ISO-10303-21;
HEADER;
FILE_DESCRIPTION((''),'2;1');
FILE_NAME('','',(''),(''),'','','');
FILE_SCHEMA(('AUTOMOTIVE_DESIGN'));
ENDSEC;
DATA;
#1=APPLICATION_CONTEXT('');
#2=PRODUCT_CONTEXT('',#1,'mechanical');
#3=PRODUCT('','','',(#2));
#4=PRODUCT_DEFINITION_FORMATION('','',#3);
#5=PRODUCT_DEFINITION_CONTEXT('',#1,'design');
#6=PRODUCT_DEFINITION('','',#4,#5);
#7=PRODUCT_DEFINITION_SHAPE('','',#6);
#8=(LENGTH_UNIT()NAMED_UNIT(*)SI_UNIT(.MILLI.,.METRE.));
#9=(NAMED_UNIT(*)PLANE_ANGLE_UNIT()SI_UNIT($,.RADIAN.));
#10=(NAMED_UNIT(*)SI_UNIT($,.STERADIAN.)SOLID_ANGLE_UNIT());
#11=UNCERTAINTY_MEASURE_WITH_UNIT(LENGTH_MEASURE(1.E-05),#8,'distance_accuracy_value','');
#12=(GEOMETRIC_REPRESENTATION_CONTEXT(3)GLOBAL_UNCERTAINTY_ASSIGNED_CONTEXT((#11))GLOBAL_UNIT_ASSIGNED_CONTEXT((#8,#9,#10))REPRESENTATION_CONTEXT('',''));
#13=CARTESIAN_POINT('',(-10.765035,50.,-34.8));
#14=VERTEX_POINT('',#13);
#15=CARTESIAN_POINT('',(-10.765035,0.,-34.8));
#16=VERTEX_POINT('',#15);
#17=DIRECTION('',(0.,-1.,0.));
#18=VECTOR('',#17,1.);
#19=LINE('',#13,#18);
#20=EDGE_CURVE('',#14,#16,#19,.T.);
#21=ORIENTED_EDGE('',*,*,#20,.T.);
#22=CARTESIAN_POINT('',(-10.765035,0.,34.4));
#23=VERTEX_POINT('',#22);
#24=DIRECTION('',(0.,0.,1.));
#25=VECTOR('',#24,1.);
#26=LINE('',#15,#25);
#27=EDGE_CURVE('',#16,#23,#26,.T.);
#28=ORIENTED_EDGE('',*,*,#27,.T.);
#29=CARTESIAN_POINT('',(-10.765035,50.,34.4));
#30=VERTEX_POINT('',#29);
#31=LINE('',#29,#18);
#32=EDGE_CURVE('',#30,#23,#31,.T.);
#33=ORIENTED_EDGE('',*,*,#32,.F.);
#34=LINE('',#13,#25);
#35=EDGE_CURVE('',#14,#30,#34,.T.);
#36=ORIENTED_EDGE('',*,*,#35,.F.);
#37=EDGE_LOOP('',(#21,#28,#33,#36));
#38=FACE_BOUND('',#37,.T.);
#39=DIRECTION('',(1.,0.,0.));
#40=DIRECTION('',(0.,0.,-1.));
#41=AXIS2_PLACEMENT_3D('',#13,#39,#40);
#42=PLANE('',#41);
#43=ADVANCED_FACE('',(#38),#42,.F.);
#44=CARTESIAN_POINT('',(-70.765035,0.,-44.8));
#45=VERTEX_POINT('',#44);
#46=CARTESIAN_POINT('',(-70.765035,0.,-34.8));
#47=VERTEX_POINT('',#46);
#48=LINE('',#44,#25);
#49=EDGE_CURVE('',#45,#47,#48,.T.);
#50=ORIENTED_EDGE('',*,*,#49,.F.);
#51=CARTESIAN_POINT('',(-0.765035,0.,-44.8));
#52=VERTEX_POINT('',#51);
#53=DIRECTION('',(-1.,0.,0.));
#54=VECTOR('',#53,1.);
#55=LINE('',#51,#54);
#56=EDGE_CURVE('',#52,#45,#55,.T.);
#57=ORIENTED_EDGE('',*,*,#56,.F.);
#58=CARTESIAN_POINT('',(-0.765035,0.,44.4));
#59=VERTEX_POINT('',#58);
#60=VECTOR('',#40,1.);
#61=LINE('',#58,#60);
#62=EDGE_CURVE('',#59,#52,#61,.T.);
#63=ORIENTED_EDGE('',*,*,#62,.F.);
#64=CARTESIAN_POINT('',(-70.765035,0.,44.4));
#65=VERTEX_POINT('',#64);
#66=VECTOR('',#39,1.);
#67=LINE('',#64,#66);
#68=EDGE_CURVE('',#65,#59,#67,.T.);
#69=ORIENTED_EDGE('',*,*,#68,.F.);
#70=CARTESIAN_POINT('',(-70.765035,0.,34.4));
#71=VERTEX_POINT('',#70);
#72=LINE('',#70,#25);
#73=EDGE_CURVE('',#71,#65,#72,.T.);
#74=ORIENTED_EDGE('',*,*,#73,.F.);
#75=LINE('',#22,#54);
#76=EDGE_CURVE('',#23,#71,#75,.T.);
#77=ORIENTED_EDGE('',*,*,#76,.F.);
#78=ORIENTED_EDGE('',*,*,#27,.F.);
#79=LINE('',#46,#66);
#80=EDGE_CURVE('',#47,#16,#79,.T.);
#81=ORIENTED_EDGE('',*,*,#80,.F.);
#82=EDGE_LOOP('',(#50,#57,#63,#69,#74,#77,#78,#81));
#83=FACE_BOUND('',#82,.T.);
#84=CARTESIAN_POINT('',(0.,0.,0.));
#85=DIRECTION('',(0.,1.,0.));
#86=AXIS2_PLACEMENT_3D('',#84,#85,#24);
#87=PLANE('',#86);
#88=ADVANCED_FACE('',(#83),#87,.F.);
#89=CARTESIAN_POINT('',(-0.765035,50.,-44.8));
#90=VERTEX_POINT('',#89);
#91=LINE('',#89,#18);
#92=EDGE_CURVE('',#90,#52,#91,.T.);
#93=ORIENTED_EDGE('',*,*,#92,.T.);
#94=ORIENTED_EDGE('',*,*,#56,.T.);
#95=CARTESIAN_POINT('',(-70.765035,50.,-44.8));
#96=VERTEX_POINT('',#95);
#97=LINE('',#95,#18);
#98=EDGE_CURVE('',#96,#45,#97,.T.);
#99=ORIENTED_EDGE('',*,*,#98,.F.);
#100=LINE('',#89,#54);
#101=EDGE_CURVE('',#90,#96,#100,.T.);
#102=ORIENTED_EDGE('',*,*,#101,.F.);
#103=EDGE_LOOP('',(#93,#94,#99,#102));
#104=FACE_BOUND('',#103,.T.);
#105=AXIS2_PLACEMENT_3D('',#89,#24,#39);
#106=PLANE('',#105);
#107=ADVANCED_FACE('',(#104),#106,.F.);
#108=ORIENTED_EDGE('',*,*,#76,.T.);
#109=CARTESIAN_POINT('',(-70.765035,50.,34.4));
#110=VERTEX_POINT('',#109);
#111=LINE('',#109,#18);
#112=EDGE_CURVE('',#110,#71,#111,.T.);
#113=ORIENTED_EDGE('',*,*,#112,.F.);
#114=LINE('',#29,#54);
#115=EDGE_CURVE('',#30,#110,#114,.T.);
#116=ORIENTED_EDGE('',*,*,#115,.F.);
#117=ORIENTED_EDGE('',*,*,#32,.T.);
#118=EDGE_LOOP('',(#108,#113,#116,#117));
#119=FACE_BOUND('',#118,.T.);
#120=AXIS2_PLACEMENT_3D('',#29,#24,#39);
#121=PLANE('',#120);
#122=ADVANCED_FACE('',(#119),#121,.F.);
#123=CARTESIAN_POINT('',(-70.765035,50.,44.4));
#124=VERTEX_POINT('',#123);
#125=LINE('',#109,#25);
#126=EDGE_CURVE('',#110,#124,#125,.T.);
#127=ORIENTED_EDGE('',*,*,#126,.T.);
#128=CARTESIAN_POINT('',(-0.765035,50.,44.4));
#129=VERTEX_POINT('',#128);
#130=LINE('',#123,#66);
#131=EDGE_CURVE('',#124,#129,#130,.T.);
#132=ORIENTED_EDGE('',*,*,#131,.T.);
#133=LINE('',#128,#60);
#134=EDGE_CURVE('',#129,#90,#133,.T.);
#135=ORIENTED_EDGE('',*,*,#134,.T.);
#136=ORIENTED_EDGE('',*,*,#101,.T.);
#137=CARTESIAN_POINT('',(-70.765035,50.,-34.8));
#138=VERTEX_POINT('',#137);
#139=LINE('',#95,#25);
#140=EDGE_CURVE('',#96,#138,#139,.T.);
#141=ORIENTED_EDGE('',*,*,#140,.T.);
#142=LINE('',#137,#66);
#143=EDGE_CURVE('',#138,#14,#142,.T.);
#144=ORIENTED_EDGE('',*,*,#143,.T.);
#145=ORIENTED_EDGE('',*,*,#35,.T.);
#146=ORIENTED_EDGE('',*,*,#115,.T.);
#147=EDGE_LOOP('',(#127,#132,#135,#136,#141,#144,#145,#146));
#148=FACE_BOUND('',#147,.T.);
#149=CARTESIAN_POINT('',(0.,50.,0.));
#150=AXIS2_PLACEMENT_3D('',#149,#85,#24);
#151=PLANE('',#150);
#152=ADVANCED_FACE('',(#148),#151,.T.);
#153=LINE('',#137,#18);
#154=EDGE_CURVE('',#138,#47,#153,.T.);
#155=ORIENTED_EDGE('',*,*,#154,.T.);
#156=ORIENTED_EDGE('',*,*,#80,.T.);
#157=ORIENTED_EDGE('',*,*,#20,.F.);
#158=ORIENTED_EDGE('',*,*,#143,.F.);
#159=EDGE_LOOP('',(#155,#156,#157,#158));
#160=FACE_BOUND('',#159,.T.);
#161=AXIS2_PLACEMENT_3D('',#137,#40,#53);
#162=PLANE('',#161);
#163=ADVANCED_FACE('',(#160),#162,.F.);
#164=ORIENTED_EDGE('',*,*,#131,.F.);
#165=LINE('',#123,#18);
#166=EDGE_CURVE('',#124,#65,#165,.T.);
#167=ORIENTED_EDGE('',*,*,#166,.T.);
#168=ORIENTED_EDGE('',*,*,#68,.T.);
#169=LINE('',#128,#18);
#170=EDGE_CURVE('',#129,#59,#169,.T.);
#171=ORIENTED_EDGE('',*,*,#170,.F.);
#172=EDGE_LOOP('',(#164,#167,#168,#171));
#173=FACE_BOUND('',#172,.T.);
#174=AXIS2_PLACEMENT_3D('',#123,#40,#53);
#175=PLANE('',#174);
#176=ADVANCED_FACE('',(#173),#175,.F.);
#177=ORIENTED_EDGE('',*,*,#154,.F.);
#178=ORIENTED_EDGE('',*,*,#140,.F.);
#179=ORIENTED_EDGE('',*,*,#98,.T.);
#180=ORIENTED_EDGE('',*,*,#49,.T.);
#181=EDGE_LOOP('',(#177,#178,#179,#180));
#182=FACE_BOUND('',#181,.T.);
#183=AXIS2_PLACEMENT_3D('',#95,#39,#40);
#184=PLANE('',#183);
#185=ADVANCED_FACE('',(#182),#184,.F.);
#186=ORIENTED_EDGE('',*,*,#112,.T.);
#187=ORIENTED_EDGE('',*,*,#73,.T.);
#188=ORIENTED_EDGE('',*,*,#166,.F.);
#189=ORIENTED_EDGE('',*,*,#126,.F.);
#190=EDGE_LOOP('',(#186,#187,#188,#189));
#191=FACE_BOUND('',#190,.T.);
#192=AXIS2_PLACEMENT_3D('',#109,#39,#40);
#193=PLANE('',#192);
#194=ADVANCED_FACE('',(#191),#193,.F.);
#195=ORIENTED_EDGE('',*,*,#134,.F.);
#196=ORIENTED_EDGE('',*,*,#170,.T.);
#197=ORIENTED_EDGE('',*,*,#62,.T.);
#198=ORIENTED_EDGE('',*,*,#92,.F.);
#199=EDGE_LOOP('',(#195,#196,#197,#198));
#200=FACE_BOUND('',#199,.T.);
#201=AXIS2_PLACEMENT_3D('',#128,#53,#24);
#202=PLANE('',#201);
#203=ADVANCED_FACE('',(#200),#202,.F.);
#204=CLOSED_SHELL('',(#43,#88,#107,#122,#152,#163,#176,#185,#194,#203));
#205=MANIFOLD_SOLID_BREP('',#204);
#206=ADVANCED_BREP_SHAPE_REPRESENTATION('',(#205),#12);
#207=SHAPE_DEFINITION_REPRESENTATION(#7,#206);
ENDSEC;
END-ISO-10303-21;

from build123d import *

# Parameters (mm, degrees)
BOSS_EXTRUDE1_DEPTH = 50


with BuildPart() as part:
    # Sketch1 → Boss-Extrude1 (new body)
    with BuildSketch(Plane(origin=(0, 0, 0), x_dir=(1, 0, 0), z_dir=(0, 1, 0))):
        Polygon((-70.765034965, 34.8), (-10.765034965, 34.8), (-10.765034965, -34.4), (-70.765034965, -34.4), (-70.765034965, -44.4), (-0.765034965, -44.4), (-0.765034965, 44.8), (-70.765034965, 44.8), align=None)
    extrude(amount=BOSS_EXTRUDE1_DEPTH)


solid = part.part
